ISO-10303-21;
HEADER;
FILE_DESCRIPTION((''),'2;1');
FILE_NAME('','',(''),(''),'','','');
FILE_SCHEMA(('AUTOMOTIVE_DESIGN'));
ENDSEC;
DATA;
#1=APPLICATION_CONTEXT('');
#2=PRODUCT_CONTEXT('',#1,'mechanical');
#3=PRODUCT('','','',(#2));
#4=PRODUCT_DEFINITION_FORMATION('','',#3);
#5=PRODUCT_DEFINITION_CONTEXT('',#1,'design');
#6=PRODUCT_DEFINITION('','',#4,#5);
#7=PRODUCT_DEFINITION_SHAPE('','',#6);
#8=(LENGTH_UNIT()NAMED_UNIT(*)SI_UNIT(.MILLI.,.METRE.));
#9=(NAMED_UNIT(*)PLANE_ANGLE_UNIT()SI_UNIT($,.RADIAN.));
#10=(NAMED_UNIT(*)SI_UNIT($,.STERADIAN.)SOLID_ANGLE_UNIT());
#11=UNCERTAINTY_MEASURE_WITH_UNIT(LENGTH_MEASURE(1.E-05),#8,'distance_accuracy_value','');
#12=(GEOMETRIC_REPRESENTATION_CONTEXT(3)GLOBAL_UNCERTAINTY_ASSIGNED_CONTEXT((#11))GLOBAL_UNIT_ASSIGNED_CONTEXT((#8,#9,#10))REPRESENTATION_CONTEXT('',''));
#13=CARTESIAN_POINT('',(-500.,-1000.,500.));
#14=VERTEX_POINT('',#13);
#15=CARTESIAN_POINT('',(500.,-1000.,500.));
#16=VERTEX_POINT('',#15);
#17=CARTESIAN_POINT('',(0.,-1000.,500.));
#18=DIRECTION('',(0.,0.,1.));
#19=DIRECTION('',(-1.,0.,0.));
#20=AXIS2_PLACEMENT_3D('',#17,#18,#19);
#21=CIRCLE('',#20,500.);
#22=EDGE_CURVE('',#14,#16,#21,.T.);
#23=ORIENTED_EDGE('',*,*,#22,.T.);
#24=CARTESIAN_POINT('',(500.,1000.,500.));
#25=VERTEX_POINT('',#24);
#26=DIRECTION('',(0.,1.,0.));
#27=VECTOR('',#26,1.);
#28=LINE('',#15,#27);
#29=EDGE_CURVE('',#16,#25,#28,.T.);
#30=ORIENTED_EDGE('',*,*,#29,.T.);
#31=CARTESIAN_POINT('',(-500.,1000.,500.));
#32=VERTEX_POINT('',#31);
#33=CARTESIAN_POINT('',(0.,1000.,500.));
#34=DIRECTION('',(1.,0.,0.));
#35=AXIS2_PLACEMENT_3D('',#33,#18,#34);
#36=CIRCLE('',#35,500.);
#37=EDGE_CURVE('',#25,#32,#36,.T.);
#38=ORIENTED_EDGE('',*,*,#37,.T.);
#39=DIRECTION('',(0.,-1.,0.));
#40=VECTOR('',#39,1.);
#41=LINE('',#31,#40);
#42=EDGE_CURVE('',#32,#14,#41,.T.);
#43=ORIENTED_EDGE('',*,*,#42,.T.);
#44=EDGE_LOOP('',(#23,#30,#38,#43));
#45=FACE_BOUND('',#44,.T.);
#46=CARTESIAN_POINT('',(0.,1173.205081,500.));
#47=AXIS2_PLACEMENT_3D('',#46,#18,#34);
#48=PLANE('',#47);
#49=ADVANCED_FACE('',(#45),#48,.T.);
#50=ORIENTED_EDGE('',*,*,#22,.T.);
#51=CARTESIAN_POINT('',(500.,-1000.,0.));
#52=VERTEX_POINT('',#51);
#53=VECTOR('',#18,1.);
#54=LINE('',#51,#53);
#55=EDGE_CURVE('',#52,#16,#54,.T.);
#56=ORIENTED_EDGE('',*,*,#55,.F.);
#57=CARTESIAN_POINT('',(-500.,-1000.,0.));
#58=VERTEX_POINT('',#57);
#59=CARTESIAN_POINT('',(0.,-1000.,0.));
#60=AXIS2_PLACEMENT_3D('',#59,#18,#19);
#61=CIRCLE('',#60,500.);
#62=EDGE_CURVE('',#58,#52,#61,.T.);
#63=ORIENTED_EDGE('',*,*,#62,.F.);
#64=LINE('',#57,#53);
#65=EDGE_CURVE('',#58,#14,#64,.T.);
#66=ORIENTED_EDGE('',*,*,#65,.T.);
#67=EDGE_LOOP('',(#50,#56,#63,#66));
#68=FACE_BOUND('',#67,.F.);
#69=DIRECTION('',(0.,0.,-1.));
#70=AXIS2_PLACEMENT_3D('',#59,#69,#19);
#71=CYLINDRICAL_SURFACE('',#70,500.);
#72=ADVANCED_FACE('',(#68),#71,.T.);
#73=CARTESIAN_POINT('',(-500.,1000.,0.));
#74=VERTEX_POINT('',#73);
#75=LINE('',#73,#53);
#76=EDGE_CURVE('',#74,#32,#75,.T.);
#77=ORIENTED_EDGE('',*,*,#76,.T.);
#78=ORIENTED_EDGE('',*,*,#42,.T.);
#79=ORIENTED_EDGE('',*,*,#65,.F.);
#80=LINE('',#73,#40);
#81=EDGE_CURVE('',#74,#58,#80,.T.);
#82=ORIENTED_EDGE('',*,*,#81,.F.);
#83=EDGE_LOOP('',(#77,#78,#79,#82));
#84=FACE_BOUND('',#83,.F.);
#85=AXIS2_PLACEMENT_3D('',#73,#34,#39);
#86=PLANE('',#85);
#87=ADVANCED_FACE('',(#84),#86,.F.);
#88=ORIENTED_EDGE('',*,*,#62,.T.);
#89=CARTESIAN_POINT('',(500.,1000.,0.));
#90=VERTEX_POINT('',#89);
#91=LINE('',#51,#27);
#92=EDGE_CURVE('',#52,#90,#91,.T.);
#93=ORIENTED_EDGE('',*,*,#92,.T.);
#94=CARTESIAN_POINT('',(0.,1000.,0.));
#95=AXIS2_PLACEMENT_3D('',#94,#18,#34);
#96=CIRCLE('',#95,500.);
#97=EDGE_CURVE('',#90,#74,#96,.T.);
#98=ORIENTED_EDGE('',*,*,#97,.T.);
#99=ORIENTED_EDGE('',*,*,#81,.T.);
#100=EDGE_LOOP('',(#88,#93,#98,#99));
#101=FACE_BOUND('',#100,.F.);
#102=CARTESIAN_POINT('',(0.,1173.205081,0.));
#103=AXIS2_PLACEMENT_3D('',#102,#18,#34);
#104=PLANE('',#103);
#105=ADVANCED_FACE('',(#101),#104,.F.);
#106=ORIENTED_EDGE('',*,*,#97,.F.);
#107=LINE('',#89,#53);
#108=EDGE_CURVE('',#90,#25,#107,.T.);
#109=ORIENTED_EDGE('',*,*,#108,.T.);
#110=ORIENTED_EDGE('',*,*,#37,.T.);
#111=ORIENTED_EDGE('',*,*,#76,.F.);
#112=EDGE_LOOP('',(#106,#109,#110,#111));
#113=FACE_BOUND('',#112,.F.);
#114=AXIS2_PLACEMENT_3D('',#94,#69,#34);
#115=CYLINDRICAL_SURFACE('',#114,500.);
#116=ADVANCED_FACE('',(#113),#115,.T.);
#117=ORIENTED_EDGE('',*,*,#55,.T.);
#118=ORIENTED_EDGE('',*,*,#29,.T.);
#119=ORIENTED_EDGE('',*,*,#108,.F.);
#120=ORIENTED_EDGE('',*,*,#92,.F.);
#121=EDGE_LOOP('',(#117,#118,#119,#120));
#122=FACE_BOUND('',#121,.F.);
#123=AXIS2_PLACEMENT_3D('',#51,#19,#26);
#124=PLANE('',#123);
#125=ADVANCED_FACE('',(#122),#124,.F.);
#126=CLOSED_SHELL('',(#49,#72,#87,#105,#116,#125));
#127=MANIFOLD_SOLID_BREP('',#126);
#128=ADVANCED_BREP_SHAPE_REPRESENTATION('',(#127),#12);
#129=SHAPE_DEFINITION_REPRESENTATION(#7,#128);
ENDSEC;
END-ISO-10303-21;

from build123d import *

# Parameters (mm, degrees)
F1_DEPTH = 500


with BuildPart() as f1:
    # F0 (on Top) → F1 (new body)
    with BuildSketch(Plane.XY):
        with BuildLine():
            ThreePointArc((500, 1000), (0, 1500), (-500, 1000))
            Line((-500, 1000), (500, 1000))
        make_face()
        with BuildLine():
            ThreePointArc((500, 1000), (0, 500), (-500, 1000))
            Line((-500, 1000), (-500, -1000))
            ThreePointArc((-500, -1000), (0, -500), (500, -1000))
            Line((500, -1000), (500, 1000))
        make_face()
        with BuildLine():
            Line((500, 1000), (-500, 1000))
            ThreePointArc((-500, 1000), (0, 500), (500, 1000))
        make_face()
        with BuildLine():
            ThreePointArc((500, -1000), (0, -500), (-500, -1000))
            Line((-500, -1000), (500, -1000))
        make_face()
        with BuildLine():
            Line((500, -1000), (-500, -1000))
            ThreePointArc((-500, -1000), (0, -1500), (500, -1000))
        make_face()
    extrude(amount=F1_DEPTH)


solid = f1.part
